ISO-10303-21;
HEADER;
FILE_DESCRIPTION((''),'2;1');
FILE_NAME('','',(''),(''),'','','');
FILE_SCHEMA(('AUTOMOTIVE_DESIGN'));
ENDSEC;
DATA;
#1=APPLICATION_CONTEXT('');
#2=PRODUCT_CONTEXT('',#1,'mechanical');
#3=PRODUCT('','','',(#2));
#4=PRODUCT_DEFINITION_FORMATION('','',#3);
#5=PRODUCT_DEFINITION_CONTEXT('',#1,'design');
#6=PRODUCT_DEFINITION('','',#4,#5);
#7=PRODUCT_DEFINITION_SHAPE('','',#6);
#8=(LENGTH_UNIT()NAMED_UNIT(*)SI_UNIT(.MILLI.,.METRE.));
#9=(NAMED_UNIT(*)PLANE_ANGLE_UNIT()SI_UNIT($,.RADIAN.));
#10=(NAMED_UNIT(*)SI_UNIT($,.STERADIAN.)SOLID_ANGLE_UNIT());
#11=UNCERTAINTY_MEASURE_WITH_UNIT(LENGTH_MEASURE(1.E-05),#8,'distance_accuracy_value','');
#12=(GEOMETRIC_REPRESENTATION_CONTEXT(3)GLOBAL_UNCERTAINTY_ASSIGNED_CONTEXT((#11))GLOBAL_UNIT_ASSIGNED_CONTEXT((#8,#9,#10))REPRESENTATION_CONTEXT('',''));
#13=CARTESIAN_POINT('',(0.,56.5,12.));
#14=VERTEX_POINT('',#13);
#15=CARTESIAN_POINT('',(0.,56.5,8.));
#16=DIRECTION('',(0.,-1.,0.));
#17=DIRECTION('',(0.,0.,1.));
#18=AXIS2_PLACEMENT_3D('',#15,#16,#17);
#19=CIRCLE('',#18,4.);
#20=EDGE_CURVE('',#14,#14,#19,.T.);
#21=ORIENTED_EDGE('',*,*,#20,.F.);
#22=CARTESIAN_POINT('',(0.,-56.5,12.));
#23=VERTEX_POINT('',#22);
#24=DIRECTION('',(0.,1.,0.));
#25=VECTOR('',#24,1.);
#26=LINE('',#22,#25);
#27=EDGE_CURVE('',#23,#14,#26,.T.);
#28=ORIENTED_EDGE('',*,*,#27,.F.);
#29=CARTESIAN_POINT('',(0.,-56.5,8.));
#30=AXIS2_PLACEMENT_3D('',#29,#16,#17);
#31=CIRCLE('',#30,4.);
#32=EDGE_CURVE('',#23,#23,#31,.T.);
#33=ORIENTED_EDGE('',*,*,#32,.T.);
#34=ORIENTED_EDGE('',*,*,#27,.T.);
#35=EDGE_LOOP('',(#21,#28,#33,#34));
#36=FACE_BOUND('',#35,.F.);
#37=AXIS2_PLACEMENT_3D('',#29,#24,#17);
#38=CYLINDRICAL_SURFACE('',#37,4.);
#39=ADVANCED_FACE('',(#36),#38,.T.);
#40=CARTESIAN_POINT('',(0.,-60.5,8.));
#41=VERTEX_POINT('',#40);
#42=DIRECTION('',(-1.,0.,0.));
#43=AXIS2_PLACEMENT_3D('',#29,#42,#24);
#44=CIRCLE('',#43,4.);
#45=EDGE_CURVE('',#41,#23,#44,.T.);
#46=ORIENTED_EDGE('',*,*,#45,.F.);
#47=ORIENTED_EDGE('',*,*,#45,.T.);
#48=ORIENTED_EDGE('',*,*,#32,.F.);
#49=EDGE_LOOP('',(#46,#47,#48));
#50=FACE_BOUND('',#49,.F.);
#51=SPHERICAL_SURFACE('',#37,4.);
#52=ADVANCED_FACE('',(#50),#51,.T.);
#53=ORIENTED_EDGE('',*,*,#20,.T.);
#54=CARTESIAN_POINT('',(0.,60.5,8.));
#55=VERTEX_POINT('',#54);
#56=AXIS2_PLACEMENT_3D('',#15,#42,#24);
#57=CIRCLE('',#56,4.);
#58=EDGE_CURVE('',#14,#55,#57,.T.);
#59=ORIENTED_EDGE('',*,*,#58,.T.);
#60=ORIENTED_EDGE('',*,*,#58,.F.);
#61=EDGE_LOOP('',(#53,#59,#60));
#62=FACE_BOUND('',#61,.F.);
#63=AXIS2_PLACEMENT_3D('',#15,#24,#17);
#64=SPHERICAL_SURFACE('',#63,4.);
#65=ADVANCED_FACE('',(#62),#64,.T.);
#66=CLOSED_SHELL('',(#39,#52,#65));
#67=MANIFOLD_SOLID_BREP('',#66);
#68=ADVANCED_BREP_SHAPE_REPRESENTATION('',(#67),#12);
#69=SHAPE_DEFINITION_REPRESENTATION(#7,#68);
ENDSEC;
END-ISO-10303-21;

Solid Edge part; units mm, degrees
sketch "Sketch1" plane through (0, 0, 0) normal (1, 0, 0) x (0, 1, 0)
  arc A0 (-60.5, 8) -> (-56.5, 12) centre (-56.5, 8) cw
  line L0 (-56.5, 12) -> (56.5, 12)
  arc A1 (56.5, 12) -> (60.5, 8) centre (56.5, 8) cw
  line L1 (60.5, 8) -> (-60.5, 8)
revolve "RevolvedProtrusion1" add sketch "Sketch1" angle 360 about axis through (0, 60.5, 8) along (0, -1, 0)
